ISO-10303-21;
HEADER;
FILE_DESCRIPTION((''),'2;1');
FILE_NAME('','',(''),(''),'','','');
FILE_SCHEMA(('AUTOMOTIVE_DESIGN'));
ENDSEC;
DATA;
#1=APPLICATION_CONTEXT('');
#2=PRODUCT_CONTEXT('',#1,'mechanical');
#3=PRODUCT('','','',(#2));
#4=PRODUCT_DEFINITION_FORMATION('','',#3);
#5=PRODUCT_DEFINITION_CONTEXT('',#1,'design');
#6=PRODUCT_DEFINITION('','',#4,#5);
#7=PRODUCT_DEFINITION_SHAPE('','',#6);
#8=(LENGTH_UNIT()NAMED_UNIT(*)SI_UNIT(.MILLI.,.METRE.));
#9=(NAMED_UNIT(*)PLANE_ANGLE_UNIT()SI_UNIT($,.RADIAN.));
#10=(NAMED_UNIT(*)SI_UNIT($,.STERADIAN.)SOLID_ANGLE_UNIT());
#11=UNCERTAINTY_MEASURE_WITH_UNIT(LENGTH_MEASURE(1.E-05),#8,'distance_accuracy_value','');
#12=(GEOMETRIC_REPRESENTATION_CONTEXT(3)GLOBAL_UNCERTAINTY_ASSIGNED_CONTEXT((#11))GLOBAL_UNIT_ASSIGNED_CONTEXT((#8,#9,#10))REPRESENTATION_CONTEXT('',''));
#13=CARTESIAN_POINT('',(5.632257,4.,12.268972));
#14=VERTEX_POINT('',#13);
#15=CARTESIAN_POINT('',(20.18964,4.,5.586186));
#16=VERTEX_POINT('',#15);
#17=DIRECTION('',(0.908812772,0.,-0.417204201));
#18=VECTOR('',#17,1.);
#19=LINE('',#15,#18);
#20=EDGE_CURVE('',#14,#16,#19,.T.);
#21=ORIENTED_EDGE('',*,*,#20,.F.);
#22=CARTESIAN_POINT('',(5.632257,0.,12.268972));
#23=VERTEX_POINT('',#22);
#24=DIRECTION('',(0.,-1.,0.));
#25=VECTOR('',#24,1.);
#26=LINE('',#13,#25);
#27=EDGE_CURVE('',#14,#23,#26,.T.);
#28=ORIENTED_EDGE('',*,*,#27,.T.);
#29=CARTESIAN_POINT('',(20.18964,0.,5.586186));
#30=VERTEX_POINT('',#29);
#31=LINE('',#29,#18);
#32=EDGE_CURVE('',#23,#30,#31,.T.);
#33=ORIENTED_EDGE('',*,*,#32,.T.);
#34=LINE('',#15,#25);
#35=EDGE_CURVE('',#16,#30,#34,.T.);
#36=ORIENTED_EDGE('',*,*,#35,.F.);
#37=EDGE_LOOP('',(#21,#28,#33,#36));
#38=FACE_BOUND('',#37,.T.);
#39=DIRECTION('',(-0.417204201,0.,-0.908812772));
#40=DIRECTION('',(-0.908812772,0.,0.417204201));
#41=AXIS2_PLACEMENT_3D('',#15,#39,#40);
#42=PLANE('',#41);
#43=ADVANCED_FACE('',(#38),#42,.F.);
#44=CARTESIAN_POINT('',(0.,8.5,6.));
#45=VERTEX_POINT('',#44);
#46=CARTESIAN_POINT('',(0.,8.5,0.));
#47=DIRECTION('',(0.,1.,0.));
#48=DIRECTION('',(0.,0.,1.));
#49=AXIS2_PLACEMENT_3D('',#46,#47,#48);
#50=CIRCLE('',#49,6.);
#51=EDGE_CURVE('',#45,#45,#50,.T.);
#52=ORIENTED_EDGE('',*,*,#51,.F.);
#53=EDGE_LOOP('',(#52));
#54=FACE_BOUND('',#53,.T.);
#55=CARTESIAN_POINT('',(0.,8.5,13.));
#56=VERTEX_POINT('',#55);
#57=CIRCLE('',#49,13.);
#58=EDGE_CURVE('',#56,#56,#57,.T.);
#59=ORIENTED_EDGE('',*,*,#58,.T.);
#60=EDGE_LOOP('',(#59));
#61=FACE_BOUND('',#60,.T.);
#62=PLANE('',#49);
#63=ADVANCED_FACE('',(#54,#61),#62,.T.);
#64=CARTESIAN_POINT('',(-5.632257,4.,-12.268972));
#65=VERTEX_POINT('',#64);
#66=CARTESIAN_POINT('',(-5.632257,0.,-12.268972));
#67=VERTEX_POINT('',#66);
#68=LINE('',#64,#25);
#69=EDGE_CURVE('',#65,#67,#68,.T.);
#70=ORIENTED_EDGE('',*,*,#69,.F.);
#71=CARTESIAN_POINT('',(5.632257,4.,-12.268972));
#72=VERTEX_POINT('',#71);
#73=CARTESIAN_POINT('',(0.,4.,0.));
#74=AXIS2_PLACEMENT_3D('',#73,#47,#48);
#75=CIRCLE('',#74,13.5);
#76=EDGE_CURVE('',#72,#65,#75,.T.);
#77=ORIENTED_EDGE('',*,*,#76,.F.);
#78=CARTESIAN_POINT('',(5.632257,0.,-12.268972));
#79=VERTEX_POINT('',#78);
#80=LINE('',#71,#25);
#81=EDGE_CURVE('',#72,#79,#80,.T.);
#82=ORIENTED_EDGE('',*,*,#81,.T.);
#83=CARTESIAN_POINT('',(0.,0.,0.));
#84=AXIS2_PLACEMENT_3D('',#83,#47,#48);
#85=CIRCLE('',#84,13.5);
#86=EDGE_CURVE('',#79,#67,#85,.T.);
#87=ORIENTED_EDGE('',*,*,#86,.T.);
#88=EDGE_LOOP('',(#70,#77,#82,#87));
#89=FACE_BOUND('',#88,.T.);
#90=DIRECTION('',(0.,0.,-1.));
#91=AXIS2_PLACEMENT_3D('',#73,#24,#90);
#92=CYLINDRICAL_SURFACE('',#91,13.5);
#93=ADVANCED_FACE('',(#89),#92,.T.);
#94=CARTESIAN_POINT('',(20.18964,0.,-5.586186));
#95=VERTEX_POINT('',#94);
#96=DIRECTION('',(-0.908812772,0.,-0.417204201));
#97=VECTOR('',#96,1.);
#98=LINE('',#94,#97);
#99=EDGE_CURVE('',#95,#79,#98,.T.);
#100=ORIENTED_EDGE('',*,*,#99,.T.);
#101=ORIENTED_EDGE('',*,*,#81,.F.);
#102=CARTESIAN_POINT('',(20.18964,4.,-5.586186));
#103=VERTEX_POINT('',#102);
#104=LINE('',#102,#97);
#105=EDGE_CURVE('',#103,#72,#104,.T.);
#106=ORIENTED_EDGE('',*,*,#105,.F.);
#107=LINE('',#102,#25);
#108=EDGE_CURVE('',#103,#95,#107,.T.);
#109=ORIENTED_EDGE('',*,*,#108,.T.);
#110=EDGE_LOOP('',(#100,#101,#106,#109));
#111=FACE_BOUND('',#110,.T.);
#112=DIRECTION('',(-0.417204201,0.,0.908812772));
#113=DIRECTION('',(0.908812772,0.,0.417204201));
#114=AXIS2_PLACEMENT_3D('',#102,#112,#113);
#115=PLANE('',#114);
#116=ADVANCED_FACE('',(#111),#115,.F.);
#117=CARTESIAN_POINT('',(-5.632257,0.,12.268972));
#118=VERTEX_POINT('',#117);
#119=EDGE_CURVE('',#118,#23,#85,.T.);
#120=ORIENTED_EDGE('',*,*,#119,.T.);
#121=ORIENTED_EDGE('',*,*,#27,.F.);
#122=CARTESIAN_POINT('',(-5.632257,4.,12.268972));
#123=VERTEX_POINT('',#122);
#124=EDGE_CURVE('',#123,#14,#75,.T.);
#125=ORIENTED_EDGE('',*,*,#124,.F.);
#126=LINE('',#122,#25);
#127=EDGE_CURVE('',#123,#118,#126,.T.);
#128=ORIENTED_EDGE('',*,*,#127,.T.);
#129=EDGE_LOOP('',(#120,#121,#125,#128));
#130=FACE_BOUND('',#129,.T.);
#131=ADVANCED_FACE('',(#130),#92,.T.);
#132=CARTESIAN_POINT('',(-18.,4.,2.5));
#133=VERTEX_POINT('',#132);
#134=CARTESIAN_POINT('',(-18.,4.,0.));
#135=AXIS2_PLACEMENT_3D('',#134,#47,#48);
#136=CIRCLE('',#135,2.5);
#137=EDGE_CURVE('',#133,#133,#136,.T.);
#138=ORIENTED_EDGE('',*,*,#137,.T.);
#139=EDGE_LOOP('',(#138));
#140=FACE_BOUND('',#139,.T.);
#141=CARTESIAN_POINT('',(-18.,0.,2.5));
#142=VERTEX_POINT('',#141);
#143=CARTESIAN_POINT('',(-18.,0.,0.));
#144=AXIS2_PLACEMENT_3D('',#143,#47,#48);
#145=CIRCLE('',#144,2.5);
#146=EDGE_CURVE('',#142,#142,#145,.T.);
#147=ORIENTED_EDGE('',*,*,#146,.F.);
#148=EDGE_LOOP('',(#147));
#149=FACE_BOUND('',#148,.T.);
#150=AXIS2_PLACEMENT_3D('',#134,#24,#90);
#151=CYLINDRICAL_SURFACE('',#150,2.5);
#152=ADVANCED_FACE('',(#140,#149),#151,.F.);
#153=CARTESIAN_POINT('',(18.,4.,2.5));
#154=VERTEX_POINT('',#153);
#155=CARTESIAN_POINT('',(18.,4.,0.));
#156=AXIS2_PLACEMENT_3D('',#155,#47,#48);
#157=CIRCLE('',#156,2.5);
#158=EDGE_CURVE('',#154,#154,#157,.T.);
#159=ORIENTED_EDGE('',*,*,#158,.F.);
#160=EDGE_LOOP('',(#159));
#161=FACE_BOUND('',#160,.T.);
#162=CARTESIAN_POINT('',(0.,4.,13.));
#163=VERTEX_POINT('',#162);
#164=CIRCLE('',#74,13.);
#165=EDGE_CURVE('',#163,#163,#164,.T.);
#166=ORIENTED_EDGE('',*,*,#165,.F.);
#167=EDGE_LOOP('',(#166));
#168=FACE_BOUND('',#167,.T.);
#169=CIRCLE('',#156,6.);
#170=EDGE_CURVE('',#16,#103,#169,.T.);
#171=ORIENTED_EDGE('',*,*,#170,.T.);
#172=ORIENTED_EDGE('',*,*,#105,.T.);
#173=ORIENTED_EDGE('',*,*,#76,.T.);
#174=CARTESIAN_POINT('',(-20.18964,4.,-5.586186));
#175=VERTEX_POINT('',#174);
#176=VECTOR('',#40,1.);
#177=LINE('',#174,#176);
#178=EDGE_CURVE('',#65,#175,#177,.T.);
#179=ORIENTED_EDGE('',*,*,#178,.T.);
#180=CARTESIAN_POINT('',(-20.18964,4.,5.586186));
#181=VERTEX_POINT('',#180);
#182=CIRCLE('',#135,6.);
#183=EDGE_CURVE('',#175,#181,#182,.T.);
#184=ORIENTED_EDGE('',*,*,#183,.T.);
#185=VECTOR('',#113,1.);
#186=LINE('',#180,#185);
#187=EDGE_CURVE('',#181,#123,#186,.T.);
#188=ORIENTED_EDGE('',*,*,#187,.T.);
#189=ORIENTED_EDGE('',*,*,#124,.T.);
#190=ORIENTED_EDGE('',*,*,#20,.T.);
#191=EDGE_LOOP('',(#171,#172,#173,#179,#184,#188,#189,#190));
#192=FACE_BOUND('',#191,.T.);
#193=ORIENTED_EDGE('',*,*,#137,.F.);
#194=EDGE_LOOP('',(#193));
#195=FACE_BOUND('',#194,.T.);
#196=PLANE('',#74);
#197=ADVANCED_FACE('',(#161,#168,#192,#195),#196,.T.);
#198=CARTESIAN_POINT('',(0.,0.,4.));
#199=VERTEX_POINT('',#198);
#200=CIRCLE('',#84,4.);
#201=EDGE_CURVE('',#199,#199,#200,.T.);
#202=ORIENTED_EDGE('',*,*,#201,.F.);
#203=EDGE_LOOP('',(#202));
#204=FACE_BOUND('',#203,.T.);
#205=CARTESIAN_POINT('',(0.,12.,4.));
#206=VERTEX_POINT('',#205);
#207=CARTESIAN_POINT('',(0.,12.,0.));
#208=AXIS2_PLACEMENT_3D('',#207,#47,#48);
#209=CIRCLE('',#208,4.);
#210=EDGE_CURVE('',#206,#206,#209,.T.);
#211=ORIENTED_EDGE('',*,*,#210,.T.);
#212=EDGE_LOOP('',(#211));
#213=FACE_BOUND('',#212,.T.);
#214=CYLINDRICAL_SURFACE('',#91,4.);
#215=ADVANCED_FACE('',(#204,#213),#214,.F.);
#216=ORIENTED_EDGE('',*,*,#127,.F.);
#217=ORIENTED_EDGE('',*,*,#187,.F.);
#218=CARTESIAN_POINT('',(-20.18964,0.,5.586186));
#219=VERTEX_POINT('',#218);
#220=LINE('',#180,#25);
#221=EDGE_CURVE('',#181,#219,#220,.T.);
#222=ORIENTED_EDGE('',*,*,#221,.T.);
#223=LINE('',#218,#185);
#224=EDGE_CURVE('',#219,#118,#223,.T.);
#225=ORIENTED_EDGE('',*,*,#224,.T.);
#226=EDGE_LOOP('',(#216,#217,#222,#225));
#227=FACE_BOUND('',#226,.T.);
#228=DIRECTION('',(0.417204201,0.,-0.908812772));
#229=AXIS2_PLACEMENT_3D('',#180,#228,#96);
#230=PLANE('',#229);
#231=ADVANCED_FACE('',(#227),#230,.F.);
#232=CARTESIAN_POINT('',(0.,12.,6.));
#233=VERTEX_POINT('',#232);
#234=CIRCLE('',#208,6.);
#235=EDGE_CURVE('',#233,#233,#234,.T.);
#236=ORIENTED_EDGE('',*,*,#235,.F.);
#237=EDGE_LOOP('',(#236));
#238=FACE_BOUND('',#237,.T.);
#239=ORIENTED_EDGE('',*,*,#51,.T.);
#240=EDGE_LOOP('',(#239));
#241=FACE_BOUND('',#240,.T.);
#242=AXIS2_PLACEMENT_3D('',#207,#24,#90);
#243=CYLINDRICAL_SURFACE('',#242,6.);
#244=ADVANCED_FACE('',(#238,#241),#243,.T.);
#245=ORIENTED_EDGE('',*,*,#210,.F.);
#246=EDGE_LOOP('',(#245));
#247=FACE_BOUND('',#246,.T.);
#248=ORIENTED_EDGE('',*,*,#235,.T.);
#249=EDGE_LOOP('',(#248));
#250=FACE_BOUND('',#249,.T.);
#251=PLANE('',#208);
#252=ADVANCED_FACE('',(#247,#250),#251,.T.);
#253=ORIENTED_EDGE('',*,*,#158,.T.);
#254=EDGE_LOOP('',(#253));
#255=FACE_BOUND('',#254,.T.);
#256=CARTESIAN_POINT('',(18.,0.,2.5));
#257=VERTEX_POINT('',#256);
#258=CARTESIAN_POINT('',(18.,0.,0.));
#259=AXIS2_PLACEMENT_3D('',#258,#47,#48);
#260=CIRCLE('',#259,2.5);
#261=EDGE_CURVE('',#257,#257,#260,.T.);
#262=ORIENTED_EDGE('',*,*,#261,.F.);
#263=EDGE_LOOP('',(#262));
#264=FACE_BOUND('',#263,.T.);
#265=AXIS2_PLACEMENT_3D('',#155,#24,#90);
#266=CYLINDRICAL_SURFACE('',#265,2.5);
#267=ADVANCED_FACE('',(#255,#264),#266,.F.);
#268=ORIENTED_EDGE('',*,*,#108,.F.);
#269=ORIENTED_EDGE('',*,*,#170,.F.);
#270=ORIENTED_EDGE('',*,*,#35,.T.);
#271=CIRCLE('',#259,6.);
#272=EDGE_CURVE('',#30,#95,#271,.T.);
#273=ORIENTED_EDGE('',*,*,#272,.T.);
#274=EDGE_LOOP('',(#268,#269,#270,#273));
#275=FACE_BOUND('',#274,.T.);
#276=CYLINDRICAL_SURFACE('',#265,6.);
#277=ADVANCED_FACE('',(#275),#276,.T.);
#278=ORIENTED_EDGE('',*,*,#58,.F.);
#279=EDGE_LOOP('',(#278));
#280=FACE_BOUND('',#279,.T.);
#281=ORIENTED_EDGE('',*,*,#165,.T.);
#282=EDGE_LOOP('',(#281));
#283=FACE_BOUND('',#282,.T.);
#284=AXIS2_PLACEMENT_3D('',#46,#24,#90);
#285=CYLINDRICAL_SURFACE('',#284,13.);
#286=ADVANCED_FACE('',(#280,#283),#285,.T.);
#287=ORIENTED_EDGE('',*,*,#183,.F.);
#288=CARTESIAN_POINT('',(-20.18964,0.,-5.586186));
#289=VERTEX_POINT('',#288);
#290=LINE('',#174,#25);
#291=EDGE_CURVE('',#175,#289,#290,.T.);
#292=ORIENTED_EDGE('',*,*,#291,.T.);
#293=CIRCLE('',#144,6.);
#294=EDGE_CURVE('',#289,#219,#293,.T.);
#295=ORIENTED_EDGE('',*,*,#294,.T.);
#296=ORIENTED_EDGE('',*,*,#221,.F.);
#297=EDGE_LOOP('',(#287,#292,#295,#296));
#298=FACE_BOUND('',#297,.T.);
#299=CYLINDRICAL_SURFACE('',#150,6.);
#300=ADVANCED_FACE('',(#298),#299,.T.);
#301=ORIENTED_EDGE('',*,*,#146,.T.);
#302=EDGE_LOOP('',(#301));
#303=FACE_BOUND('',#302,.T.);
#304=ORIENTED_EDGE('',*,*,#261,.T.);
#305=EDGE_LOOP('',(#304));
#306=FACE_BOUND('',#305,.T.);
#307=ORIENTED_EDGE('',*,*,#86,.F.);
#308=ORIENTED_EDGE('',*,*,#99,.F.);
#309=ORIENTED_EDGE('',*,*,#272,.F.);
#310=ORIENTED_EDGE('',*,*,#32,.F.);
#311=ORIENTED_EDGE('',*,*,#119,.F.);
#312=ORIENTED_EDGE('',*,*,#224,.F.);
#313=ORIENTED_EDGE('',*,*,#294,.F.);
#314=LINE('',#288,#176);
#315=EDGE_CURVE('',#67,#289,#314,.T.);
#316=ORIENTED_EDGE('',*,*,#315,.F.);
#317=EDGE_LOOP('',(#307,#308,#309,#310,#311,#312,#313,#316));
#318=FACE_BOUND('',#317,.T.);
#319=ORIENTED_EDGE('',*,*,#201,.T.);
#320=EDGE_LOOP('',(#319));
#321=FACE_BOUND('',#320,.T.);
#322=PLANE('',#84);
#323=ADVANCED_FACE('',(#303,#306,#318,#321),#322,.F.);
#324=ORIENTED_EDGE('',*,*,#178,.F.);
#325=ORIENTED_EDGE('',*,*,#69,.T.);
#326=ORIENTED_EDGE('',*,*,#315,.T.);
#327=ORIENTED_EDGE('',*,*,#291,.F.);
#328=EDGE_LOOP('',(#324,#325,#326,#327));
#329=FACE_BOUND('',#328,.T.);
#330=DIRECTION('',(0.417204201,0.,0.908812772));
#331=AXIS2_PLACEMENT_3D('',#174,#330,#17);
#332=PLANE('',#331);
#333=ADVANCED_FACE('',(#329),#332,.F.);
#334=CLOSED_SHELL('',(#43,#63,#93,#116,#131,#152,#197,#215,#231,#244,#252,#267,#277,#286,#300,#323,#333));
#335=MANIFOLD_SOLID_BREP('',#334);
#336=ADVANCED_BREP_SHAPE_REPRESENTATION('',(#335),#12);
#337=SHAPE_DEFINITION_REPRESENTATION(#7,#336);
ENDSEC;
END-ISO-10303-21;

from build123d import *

# Parameters (mm, degrees)
SKETCH1_R           = 2.5
SKETCH1_R_2         = 4
BOSS_EXTRUDE1_DEPTH = 4
SKETCH2_R           = 13
SKETCH2_R_2         = 4
BOSS_EXTRUDE2_DEPTH = 4.5
SKETCH3_R           = 6
SKETCH3_R_2         = 4
BOSS_EXTRUDE3_DEPTH = 3.5


with BuildPart() as part:
    # Sketch1 → Boss-Extrude1 (new body)
    with BuildSketch(Plane(origin=(0, 0, 0), x_dir=(1, 0, 0), z_dir=(0, 1, 0))):
        with BuildLine():
            Line((-20.189639751, 5.586186334), (-5.632256707, 12.268972426))
            ThreePointArc((-5.632256707, 12.268972426), (0, 13.5), (5.632256707, 12.268972426))
            Line((5.632256707, 12.268972426), (20.189639751, 5.586186334))
            ThreePointArc((20.189639751, 5.586186334), (24, 0), (20.189639751, -5.586186334))
            Line((20.189639751, -5.586186334), (5.632256707, -12.268972426))
            ThreePointArc((5.632256707, -12.268972426), (0, -13.5), (-5.632256707, -12.268972426))
            Line((-5.632256707, -12.268972426), (-20.189639751, -5.586186334))
            ThreePointArc((-20.189639751, -5.586186334), (-24, 0), (-20.189639751, 5.586186334))
        make_face()
        with Locations((18, 0)):
            Circle(SKETCH1_R, mode=Mode.SUBTRACT)
        with Locations((-18, 0)):
            Circle(SKETCH1_R, mode=Mode.SUBTRACT)
        Circle(SKETCH1_R_2, mode=Mode.SUBTRACT)
    extrude(amount=BOSS_EXTRUDE1_DEPTH)

    # Sketch2 → Boss-Extrude2 (add)
    with BuildSketch(Plane(origin=(0, 4, 0), x_dir=(1, 0, 0), z_dir=(0, 1, 0))):
        Circle(SKETCH2_R)
        Circle(SKETCH2_R_2, mode=Mode.SUBTRACT)
    extrude(amount=BOSS_EXTRUDE2_DEPTH)

    # Sketch3 → Boss-Extrude3 (add)
    with BuildSketch(Plane(origin=(0, 8.5, 0), x_dir=(1, 0, 0), z_dir=(0, 1, 0))):
        Circle(SKETCH3_R)
        Circle(SKETCH3_R_2, mode=Mode.SUBTRACT)
    extrude(amount=BOSS_EXTRUDE3_DEPTH)


solid = part.part
